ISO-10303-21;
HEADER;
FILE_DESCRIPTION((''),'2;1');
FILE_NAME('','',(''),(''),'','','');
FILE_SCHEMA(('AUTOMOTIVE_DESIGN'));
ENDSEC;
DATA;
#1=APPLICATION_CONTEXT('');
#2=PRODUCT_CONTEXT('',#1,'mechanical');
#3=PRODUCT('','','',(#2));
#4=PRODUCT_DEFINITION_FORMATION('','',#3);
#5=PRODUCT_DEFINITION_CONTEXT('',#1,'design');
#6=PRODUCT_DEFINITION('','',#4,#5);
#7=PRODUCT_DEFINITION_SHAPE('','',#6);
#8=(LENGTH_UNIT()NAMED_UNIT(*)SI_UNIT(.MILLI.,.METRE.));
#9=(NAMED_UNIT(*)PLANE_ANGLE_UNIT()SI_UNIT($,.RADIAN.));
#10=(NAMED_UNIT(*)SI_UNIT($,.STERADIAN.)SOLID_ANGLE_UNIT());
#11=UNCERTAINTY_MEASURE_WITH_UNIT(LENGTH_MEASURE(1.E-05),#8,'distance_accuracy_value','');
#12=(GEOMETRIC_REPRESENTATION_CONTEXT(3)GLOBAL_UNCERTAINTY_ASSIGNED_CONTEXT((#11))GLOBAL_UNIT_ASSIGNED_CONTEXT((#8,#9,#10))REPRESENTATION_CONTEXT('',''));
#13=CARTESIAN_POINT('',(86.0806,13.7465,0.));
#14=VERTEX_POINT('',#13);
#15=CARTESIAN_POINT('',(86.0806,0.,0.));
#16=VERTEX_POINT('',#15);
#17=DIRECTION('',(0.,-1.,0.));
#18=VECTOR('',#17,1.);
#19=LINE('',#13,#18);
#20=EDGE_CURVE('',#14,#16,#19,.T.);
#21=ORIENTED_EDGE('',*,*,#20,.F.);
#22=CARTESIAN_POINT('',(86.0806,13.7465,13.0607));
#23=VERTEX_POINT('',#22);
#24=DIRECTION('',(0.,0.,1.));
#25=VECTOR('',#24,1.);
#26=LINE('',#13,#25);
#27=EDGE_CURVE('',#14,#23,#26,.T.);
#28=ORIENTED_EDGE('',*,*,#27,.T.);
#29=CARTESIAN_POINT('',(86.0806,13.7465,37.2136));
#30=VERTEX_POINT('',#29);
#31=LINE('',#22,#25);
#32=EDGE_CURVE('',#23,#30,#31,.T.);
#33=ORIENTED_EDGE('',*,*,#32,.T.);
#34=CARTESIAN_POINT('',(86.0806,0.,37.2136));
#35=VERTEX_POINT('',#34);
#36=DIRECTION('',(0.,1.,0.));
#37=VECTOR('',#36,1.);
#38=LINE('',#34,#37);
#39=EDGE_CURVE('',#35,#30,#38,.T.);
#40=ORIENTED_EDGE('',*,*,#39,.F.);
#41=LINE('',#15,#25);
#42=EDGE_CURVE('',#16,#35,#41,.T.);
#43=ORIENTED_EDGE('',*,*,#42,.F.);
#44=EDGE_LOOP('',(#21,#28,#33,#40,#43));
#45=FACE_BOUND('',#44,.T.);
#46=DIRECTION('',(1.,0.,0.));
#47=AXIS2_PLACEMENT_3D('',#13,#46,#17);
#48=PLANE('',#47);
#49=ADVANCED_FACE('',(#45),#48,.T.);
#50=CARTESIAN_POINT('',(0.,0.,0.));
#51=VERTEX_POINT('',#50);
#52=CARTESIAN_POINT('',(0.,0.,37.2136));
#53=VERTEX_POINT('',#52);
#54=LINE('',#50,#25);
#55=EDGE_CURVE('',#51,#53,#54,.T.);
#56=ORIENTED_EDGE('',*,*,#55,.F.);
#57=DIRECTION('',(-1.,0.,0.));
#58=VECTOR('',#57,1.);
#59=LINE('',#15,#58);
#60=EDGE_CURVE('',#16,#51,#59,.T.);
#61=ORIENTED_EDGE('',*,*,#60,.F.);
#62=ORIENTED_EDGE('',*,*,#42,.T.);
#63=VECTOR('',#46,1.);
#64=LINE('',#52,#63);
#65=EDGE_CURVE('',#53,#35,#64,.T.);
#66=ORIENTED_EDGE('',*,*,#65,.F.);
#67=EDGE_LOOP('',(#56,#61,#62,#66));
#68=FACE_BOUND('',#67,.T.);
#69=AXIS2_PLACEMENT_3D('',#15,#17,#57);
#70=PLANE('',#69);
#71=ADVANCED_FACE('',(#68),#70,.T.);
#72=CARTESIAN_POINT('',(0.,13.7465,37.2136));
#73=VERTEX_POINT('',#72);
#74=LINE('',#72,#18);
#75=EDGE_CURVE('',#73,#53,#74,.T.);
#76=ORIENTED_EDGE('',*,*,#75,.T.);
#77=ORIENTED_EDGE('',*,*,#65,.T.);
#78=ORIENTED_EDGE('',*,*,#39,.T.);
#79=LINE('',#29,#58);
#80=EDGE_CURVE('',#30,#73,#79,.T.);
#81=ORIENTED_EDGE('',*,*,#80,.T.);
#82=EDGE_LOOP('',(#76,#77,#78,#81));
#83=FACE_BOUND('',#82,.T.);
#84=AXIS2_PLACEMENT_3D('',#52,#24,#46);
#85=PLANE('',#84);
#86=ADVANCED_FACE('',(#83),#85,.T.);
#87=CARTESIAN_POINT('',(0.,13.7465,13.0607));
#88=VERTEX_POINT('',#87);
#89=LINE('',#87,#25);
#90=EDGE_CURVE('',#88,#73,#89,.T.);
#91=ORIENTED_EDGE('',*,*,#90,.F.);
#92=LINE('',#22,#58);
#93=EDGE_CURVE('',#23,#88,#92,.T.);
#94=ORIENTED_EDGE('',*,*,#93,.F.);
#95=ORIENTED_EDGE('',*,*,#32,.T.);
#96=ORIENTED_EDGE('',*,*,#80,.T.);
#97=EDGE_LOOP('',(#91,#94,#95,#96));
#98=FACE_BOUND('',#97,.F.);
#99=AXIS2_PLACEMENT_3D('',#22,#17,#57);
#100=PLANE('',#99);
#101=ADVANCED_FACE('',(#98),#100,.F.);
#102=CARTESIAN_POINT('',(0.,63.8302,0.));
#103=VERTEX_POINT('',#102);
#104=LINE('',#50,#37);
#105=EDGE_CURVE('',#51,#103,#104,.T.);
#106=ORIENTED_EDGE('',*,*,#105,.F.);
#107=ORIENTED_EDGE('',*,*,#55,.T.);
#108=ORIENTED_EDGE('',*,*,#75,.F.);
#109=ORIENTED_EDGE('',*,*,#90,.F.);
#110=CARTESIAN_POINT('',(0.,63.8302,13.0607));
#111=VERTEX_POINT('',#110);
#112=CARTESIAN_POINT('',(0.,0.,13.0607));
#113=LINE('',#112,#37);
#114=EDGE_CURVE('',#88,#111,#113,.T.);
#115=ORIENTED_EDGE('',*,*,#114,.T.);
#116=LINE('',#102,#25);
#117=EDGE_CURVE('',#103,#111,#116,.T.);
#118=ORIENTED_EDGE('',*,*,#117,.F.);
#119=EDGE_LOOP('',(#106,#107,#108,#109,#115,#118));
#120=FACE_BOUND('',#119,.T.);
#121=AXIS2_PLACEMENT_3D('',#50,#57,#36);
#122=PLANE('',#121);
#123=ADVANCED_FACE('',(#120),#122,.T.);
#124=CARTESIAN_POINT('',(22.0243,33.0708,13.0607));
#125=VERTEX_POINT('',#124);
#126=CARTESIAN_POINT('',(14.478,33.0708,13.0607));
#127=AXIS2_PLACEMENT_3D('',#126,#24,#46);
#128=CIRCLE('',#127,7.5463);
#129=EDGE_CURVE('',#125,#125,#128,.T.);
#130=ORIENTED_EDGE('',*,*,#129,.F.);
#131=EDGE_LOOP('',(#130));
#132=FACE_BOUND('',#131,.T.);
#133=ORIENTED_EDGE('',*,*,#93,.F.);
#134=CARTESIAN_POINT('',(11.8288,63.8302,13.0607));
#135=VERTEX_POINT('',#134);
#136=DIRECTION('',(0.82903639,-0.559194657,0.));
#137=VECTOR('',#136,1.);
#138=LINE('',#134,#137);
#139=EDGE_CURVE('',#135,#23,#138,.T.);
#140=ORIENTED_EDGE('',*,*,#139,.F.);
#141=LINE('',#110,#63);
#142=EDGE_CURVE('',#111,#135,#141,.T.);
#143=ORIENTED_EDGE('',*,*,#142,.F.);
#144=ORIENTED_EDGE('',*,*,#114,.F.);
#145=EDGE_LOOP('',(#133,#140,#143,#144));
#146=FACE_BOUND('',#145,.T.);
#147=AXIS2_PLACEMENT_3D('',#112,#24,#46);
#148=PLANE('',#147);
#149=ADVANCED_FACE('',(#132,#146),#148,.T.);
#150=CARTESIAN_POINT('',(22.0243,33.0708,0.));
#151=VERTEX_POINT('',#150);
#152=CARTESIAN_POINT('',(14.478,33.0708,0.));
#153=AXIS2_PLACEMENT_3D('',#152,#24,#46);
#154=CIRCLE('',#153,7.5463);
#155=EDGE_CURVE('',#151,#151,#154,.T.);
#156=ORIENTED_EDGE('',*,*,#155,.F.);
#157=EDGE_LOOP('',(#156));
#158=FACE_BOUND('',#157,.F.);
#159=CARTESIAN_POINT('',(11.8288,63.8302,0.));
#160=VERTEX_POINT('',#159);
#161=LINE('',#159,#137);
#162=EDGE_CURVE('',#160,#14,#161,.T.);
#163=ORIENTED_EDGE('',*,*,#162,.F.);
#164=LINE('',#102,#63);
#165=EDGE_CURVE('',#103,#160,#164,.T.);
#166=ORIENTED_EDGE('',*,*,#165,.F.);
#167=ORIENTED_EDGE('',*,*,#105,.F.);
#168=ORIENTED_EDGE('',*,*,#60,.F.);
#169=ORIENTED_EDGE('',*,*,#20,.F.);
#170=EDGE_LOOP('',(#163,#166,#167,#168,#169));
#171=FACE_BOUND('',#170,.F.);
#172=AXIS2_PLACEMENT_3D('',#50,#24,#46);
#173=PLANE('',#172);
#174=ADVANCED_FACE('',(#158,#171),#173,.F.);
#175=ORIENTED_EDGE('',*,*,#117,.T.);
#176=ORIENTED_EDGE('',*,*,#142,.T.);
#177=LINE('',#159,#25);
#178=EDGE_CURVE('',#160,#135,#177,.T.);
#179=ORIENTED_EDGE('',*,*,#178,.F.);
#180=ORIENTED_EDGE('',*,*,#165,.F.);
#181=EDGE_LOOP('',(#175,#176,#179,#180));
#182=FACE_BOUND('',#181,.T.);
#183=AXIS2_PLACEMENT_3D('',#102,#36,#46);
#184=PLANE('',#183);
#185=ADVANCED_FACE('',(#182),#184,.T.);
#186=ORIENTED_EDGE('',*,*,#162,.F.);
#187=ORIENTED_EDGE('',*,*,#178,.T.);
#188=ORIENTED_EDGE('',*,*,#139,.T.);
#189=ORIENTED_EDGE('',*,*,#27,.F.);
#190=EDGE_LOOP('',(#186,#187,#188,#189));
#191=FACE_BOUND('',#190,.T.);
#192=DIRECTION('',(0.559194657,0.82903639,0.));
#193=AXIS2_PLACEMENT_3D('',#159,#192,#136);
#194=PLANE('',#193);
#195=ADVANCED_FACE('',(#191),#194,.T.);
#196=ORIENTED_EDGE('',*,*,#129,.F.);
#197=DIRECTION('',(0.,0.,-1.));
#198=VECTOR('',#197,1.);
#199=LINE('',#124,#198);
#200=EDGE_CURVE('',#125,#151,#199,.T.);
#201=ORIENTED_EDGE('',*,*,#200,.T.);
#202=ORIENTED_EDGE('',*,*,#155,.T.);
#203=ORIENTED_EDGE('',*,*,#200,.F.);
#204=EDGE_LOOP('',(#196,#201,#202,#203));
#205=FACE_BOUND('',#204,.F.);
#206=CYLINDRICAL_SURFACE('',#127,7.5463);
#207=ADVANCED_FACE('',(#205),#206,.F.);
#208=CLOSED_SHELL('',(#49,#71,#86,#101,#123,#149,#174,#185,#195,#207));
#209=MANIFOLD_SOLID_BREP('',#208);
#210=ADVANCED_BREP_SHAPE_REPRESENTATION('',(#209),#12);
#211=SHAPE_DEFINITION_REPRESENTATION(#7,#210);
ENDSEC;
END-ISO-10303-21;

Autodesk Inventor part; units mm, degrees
ref_plane "YZ Plane" through (0, 0, 0) normal (1, 0, 0) x (0, 1, 0)
ref_plane "XZ Plane" through (0, 0, 0) normal (0, 1, 0) x (-1, 0, 0)
ref_plane "XY Plane" through (0, 0, 0) normal (0, 0, 1) x (1, 0, 0)
sketch "Sketch1" plane through (0, 0, 0) normal (0, 0, 1) x (1, 0, 0)
  line L0 (0, 0) -> (0, 63.8302)
  line L1 (0, 63.8302) -> (11.8288, 63.8302)
  line L2 (11.8288, 63.8302) -> (86.0806, 13.7465)
  line L3 (86.0806, 13.7465) -> (86.0806, 0)
  line L4 (86.0806, 0) -> (0, 0)
  dimension "d0" = 11.8288
  dimension "d1" = 13.7465
  dimension "d2" = 63.8302
  dimension "d3" = 86.0806
extrude "Extrusion1" add sketch "Sketch1" along normal blind 13.0607
sketch "Sketch3" plane through (0, 0, 13.0607) normal (0, 0, 1) x (1, 0, 0)
  line L0 (86.0806, 0) -> (86.0806, 13.7465) projected
  line L1 (86.0806, 13.7465) -> (0, 13.7465)
  line L2 (0, 13.7465) -> (0, 0)
  line L3 (0, 0) -> (86.0806, 0)
  line L4 (86.0806, 0) -> (86.0806, 13.7465)
extrude "Extrusion2" add sketch "Sketch3" along normal blind 24.1529
sketch "Sketch4" plane through (0, 0, 13.0607) normal (0, 0, 1) x (1, 0, 0)
  circle A0 centre (14.478, 33.0708) radius 7.5463
  line L0 (11.8288, 63.8302) -> (0, 63.8302) projected
  line L1 (0, 63.8302) -> (0, 13.7465) projected
  point P0 (0, 0)
  dimension "d8" = 15.0927
  dimension "d9" = 30.7594
  dimension "d10" = 14.478
extrude "Extrusion3" cut sketch "Sketch4" against normal blind 24.1529
properties part number "WoodenBlock" material "Stainless Steel"
